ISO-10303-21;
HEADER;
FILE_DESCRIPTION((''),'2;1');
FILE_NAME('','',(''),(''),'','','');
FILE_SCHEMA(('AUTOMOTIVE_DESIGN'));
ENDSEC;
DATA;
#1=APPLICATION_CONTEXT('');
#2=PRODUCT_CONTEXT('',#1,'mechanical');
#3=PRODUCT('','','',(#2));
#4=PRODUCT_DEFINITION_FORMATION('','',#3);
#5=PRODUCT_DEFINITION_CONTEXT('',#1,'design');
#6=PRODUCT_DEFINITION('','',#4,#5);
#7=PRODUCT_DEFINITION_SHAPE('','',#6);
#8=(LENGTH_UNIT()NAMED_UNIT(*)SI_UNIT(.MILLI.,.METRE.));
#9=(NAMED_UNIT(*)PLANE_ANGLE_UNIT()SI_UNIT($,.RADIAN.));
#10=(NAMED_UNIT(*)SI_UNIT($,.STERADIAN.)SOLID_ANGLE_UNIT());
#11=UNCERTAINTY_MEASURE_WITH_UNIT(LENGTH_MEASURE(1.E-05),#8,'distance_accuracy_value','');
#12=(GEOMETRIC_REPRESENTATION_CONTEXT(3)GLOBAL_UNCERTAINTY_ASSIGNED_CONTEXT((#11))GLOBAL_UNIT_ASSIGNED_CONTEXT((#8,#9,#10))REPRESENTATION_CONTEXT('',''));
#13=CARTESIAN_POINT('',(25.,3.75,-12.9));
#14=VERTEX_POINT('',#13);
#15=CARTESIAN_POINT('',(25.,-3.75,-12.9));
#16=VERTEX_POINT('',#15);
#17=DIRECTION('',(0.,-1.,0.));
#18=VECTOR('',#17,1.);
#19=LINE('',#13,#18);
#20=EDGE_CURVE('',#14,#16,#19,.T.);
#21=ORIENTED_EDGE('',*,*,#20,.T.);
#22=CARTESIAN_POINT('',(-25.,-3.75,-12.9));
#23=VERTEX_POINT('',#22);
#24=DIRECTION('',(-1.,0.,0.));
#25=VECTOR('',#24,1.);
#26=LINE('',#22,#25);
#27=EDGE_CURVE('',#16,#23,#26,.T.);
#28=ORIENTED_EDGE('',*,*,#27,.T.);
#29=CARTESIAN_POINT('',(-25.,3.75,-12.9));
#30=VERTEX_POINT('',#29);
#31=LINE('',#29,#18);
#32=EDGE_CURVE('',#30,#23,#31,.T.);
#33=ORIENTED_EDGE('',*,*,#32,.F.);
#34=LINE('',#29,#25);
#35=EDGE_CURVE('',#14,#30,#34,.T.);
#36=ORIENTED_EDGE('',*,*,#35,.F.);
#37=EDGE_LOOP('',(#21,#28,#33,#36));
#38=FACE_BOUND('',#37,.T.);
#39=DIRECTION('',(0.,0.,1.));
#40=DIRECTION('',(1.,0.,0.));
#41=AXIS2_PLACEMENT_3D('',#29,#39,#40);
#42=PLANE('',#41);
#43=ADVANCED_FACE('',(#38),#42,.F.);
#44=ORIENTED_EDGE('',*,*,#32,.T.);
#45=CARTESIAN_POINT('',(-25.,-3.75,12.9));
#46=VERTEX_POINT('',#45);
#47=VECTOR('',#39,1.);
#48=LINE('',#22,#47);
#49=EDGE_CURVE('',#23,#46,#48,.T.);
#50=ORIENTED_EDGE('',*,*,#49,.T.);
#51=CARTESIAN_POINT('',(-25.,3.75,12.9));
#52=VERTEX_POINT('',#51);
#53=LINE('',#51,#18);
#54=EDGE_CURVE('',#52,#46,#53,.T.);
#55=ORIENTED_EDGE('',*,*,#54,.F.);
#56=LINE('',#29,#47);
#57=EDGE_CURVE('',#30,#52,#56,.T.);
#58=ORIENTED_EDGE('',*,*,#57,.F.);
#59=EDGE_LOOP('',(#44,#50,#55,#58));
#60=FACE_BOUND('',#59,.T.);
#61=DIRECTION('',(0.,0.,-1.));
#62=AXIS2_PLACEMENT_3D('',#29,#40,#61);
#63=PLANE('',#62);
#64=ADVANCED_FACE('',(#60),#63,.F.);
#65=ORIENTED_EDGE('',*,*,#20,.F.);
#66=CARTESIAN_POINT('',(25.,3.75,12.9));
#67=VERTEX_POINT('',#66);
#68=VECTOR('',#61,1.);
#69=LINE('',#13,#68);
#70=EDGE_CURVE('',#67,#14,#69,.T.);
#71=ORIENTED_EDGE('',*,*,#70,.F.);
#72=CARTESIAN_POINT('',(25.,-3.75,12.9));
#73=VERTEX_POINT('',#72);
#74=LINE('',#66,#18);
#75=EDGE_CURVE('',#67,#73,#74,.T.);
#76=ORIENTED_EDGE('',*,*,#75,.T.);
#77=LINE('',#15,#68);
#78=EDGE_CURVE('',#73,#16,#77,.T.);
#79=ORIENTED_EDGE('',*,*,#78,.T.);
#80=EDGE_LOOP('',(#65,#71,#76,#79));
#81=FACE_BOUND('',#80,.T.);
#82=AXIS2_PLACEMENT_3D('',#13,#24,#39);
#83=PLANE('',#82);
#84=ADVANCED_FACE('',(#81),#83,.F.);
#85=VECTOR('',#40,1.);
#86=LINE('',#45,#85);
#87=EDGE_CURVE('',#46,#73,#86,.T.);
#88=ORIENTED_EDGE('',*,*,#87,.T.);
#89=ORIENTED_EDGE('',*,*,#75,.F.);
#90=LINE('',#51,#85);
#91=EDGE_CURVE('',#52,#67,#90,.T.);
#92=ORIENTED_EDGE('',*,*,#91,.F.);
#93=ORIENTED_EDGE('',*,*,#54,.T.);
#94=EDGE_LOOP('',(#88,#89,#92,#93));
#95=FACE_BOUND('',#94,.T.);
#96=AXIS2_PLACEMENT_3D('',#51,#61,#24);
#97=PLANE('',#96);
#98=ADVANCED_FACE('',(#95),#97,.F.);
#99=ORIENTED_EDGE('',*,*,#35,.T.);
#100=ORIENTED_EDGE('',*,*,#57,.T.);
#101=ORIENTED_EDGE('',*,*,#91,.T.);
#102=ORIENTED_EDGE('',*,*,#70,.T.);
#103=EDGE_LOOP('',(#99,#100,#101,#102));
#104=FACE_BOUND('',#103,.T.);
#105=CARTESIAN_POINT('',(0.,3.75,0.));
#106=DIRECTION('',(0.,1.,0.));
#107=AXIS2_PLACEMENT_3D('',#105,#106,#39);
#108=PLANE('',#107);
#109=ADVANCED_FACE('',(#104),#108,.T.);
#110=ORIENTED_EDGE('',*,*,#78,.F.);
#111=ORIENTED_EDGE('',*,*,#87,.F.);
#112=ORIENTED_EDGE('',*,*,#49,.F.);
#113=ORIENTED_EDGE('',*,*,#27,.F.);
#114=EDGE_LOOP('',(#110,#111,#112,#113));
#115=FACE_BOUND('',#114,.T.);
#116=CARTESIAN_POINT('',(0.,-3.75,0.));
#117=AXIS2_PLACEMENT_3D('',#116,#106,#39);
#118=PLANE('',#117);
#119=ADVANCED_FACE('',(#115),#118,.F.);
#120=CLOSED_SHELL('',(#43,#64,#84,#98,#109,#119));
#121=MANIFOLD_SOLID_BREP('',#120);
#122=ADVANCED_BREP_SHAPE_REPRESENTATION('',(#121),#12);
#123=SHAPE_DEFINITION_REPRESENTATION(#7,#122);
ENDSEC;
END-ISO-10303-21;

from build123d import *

# Parameters (mm, degrees)
CROQUIS3_W              = 50
CROQUIS3_H              = 25.8
SALIENTE_EXTRUIR3_DEPTH = 3.75


with BuildPart() as part:
    # Croquis3 → Saliente-Extruir3 (new body, symmetric)
    with BuildSketch(Plane(origin=(0, 0, 0), x_dir=(1, 0, 0), z_dir=(0, 1, 0))):
        Rectangle(CROQUIS3_W, CROQUIS3_H)
    extrude(amount=SALIENTE_EXTRUIR3_DEPTH, both=True)


solid = part.part
